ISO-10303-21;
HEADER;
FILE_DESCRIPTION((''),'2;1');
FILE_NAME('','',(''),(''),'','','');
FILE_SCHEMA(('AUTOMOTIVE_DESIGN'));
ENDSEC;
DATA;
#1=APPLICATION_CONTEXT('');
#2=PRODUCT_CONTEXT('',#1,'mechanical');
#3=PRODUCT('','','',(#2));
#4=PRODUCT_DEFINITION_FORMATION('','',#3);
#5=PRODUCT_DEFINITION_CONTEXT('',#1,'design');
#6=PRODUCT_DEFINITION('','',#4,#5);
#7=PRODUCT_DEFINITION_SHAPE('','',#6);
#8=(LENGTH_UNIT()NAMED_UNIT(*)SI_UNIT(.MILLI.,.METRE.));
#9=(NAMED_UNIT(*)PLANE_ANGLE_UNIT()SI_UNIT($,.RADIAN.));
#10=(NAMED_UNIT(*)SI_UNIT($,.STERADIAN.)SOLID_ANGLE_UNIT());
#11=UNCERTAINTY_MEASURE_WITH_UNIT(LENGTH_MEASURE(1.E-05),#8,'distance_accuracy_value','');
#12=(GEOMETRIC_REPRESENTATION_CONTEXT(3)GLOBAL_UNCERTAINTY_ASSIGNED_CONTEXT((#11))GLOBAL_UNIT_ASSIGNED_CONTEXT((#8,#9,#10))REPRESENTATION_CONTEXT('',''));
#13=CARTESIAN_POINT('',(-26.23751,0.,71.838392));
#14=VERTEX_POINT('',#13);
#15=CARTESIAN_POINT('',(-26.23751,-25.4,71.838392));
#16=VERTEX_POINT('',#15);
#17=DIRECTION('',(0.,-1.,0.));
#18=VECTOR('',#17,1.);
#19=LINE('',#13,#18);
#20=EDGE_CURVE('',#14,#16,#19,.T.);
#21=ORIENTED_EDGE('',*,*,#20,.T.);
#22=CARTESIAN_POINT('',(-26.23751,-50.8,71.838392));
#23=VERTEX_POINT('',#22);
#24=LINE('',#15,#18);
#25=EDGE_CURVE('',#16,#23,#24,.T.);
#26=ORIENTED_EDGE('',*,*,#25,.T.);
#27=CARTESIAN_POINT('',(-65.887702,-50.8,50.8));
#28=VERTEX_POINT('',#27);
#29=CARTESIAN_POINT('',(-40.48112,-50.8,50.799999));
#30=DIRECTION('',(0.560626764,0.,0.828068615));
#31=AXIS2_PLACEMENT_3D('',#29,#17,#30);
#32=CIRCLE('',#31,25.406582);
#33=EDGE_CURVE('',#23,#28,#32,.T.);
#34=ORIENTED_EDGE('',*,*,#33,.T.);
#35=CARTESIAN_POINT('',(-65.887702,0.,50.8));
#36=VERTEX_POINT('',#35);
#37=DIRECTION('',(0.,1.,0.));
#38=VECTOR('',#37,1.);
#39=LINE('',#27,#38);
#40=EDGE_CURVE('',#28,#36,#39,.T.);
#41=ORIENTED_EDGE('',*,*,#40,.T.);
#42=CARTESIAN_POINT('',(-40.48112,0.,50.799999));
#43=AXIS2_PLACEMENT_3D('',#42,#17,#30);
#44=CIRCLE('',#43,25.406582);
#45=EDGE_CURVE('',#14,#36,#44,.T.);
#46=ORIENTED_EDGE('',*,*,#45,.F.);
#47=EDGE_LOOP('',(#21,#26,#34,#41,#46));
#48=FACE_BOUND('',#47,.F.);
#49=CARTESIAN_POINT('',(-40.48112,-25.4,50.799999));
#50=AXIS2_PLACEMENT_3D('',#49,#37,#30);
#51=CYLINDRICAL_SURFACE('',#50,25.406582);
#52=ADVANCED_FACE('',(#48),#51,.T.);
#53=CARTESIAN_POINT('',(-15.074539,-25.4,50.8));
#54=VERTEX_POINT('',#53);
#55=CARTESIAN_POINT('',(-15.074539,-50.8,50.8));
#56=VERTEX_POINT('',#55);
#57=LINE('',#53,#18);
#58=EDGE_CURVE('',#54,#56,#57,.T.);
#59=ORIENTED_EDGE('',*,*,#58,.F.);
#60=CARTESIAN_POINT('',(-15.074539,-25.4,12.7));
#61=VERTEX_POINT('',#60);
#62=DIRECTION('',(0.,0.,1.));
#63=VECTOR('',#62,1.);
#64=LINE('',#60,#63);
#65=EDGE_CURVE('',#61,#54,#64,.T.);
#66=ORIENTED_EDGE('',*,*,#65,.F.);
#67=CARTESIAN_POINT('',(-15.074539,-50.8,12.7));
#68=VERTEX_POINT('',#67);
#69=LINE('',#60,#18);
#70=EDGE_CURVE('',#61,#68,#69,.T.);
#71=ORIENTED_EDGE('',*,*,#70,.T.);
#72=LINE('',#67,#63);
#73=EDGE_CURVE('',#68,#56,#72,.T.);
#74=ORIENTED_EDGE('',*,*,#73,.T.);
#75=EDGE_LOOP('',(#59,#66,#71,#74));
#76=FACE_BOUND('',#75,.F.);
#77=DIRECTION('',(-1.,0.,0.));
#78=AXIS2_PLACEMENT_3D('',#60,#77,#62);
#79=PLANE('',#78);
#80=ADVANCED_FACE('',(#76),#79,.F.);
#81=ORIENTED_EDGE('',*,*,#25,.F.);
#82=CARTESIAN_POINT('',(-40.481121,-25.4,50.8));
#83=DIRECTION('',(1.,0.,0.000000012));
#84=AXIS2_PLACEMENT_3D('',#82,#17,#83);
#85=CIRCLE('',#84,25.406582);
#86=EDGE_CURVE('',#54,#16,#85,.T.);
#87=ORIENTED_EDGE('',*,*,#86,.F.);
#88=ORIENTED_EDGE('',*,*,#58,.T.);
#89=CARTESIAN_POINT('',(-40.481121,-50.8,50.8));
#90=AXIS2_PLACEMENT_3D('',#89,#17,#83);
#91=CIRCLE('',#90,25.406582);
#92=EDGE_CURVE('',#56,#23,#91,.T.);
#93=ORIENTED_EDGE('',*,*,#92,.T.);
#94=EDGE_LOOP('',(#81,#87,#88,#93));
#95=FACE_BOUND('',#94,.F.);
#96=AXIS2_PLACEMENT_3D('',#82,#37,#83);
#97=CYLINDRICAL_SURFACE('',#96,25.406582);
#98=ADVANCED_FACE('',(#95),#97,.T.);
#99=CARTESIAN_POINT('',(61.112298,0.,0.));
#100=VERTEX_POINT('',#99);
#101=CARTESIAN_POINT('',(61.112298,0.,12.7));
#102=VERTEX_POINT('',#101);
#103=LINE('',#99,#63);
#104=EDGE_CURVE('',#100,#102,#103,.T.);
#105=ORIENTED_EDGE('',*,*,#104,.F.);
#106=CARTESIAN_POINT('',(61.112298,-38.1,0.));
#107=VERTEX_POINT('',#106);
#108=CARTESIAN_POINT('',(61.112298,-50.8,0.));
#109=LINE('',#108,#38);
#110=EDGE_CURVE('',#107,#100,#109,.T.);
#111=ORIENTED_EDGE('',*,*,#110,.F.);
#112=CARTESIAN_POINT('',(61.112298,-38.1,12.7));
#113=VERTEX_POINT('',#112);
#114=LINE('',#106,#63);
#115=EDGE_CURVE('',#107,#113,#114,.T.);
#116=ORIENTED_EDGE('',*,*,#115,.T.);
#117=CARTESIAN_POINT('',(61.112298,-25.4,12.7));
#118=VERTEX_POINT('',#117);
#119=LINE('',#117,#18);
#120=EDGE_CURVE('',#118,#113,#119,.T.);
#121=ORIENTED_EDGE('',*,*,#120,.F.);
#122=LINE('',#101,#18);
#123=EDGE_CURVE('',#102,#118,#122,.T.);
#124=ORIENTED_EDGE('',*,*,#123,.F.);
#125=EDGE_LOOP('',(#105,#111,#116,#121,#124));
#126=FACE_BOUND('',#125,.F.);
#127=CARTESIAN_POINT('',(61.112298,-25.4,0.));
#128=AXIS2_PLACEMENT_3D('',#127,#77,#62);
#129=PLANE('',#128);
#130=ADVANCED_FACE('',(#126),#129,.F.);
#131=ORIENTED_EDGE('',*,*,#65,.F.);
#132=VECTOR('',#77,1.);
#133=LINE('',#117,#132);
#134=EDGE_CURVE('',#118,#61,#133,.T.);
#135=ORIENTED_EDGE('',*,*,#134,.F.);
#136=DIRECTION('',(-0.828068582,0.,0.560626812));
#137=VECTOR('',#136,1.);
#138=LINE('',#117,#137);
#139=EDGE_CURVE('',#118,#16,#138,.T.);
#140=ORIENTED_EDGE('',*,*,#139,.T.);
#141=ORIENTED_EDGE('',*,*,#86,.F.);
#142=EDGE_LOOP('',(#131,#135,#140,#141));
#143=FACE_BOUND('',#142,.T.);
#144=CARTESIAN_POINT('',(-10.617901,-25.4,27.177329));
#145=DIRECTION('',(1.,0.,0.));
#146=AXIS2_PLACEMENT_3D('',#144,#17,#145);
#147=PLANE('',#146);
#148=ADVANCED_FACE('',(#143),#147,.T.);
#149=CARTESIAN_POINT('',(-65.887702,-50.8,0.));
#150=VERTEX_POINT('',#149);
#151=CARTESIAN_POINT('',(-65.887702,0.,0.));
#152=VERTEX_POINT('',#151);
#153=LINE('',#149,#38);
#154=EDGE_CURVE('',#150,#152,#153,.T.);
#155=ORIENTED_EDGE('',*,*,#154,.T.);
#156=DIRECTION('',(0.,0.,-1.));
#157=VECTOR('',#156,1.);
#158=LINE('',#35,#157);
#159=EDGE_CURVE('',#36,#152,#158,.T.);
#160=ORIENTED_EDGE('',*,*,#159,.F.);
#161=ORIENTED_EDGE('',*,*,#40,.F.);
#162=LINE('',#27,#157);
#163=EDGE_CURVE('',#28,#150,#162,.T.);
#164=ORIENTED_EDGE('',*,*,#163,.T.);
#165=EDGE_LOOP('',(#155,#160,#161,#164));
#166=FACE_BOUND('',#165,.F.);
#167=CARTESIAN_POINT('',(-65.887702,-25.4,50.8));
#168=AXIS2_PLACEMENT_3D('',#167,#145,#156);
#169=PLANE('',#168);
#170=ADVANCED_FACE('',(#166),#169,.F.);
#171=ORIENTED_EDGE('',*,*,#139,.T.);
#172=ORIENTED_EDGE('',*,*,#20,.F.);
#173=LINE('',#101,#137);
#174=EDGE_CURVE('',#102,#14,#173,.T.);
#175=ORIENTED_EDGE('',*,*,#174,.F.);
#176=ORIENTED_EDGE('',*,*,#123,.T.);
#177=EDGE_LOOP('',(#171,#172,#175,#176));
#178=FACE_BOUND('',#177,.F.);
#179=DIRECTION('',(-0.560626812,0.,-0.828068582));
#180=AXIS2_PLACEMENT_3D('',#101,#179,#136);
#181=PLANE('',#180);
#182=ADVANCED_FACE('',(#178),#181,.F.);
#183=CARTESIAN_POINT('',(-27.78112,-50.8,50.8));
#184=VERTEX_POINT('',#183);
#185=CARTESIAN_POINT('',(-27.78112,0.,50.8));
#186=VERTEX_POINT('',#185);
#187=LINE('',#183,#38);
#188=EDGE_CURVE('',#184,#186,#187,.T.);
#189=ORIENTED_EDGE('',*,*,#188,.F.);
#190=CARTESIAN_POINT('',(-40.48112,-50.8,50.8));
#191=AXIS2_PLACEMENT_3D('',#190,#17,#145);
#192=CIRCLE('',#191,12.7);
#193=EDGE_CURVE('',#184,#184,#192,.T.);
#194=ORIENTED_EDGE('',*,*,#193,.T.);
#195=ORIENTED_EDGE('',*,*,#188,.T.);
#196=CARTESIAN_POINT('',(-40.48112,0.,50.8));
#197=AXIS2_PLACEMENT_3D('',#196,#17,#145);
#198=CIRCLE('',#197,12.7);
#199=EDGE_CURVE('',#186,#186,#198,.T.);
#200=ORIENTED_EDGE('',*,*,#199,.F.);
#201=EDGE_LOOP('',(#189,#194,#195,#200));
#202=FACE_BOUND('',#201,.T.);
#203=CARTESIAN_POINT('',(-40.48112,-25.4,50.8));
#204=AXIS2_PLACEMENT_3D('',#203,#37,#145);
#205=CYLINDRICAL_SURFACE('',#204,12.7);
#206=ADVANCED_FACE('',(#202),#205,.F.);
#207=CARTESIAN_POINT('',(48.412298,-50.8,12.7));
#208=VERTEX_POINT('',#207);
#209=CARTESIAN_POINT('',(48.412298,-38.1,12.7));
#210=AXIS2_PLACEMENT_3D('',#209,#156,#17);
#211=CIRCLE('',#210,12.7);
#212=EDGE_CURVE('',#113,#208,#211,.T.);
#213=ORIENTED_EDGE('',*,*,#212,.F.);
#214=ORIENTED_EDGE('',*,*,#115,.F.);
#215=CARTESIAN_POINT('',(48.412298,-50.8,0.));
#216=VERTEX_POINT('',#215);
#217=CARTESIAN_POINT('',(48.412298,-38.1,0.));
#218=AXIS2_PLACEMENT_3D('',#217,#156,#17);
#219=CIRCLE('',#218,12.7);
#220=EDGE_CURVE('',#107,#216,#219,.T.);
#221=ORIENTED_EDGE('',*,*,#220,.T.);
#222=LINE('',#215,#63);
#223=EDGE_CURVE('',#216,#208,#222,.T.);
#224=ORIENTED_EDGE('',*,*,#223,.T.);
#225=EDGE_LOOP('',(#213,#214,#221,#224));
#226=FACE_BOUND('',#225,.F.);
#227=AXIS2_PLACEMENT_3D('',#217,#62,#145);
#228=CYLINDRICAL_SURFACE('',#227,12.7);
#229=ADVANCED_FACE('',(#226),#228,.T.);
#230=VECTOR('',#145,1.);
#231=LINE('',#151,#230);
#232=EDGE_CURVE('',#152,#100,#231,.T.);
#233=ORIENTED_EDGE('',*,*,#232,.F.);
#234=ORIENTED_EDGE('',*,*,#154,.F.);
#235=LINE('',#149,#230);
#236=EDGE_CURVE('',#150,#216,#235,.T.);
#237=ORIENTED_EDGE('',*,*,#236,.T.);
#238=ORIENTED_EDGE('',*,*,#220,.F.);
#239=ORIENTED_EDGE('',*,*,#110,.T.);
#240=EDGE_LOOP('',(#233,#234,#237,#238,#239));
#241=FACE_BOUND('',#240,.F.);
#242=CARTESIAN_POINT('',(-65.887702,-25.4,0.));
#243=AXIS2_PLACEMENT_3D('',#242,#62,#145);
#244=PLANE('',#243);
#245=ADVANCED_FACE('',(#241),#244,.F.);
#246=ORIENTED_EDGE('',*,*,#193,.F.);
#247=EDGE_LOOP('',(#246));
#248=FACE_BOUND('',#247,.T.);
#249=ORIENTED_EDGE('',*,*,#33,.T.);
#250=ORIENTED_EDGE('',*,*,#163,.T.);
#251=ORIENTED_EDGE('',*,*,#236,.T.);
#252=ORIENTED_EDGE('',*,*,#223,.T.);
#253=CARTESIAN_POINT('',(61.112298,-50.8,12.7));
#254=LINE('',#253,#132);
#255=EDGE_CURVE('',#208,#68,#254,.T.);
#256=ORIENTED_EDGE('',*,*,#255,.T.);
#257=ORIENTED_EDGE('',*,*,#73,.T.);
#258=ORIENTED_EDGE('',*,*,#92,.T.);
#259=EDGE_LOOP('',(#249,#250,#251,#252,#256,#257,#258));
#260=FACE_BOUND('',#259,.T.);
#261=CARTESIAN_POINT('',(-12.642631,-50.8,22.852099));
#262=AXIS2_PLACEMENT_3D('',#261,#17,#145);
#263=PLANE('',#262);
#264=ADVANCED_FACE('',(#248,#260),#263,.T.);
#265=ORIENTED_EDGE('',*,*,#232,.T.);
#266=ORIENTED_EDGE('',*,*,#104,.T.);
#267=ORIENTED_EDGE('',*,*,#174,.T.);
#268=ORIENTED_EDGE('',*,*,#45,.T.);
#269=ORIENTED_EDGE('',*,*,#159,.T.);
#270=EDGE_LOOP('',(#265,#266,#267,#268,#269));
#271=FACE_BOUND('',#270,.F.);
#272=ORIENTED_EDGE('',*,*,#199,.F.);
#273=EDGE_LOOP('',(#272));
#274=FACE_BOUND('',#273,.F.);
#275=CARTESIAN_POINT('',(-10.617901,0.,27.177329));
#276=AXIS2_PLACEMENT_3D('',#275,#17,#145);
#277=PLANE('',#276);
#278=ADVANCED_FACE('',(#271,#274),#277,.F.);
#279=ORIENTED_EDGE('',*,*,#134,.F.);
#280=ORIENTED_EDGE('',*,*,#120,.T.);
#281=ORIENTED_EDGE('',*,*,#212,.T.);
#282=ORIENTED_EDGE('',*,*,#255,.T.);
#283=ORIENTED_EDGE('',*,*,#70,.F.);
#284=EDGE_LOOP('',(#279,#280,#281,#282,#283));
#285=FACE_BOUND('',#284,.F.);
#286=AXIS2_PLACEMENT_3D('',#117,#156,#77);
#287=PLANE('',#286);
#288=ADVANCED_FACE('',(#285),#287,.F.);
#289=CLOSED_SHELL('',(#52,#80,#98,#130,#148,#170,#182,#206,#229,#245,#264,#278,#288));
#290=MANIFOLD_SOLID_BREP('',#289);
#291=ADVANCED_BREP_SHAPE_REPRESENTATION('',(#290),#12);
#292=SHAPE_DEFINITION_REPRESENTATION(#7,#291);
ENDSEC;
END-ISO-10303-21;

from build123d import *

# Parameters (mm, degrees)
F0_R     = 12.7
F1_DEPTH = 25.4
F2_R     = 12.7
F3_DEPTH = 25.4
F4_R     = 12.7


with BuildPart() as f1:
    # F0 (on Front) → F1 (new body)
    with BuildSketch(Plane.XZ):
        with BuildLine():
            Line((61.112298, 12.7), (-26.23751, 71.838392))
            ThreePointArc((-26.23751, 71.838392), (-52.389372, 73.242992), (-65.887702, 50.8))
            Line((-65.887702, 50.8), (-65.887702, 0))
            Line((-65.887702, 0), (61.112298, 0))
            Line((61.112298, 0), (61.112298, 12.7))
        make_face()
        with Locations((-40.48112, 50.8)):
            Circle(F0_R, mode=Mode.SUBTRACT)
    extrude(amount=F1_DEPTH)

    # F2 (on face) → F3 (join)
    with BuildSketch(Plane.XZ.offset(25.4)):
        with BuildLine():
            Line((61.112298, 0), (61.112298, 12.7))
            Line((61.112298, 12.7), (-15.074539, 12.7))
            Line((-15.074539, 12.7), (-15.074539, 50.8))
            ThreePointArc((-15.074539, 50.8), (-18.038128, 62.708252), (-26.23751, 71.838392))
            ThreePointArc((-26.23751, 71.838392), (-52.389372, 73.242992), (-65.887702, 50.8))
            Line((-65.887702, 50.8), (-65.887702, 12.7))
            Line((-65.887702, 12.7), (-65.887702, 0))
            Line((-65.887702, 0), (61.112298, 0))
        make_face()
        with Locations((-40.48112, 50.8)):
            Circle(F2_R, mode=Mode.SUBTRACT)
    extrude(amount=F3_DEPTH)

    # F4
    f4_edges = [f1.edges().sort_by_distance(p)[0] for p in [
        (61.112298, -50.8, 6.35),
    ]]
    fillet(f4_edges, radius=F4_R)


solid = f1.part
